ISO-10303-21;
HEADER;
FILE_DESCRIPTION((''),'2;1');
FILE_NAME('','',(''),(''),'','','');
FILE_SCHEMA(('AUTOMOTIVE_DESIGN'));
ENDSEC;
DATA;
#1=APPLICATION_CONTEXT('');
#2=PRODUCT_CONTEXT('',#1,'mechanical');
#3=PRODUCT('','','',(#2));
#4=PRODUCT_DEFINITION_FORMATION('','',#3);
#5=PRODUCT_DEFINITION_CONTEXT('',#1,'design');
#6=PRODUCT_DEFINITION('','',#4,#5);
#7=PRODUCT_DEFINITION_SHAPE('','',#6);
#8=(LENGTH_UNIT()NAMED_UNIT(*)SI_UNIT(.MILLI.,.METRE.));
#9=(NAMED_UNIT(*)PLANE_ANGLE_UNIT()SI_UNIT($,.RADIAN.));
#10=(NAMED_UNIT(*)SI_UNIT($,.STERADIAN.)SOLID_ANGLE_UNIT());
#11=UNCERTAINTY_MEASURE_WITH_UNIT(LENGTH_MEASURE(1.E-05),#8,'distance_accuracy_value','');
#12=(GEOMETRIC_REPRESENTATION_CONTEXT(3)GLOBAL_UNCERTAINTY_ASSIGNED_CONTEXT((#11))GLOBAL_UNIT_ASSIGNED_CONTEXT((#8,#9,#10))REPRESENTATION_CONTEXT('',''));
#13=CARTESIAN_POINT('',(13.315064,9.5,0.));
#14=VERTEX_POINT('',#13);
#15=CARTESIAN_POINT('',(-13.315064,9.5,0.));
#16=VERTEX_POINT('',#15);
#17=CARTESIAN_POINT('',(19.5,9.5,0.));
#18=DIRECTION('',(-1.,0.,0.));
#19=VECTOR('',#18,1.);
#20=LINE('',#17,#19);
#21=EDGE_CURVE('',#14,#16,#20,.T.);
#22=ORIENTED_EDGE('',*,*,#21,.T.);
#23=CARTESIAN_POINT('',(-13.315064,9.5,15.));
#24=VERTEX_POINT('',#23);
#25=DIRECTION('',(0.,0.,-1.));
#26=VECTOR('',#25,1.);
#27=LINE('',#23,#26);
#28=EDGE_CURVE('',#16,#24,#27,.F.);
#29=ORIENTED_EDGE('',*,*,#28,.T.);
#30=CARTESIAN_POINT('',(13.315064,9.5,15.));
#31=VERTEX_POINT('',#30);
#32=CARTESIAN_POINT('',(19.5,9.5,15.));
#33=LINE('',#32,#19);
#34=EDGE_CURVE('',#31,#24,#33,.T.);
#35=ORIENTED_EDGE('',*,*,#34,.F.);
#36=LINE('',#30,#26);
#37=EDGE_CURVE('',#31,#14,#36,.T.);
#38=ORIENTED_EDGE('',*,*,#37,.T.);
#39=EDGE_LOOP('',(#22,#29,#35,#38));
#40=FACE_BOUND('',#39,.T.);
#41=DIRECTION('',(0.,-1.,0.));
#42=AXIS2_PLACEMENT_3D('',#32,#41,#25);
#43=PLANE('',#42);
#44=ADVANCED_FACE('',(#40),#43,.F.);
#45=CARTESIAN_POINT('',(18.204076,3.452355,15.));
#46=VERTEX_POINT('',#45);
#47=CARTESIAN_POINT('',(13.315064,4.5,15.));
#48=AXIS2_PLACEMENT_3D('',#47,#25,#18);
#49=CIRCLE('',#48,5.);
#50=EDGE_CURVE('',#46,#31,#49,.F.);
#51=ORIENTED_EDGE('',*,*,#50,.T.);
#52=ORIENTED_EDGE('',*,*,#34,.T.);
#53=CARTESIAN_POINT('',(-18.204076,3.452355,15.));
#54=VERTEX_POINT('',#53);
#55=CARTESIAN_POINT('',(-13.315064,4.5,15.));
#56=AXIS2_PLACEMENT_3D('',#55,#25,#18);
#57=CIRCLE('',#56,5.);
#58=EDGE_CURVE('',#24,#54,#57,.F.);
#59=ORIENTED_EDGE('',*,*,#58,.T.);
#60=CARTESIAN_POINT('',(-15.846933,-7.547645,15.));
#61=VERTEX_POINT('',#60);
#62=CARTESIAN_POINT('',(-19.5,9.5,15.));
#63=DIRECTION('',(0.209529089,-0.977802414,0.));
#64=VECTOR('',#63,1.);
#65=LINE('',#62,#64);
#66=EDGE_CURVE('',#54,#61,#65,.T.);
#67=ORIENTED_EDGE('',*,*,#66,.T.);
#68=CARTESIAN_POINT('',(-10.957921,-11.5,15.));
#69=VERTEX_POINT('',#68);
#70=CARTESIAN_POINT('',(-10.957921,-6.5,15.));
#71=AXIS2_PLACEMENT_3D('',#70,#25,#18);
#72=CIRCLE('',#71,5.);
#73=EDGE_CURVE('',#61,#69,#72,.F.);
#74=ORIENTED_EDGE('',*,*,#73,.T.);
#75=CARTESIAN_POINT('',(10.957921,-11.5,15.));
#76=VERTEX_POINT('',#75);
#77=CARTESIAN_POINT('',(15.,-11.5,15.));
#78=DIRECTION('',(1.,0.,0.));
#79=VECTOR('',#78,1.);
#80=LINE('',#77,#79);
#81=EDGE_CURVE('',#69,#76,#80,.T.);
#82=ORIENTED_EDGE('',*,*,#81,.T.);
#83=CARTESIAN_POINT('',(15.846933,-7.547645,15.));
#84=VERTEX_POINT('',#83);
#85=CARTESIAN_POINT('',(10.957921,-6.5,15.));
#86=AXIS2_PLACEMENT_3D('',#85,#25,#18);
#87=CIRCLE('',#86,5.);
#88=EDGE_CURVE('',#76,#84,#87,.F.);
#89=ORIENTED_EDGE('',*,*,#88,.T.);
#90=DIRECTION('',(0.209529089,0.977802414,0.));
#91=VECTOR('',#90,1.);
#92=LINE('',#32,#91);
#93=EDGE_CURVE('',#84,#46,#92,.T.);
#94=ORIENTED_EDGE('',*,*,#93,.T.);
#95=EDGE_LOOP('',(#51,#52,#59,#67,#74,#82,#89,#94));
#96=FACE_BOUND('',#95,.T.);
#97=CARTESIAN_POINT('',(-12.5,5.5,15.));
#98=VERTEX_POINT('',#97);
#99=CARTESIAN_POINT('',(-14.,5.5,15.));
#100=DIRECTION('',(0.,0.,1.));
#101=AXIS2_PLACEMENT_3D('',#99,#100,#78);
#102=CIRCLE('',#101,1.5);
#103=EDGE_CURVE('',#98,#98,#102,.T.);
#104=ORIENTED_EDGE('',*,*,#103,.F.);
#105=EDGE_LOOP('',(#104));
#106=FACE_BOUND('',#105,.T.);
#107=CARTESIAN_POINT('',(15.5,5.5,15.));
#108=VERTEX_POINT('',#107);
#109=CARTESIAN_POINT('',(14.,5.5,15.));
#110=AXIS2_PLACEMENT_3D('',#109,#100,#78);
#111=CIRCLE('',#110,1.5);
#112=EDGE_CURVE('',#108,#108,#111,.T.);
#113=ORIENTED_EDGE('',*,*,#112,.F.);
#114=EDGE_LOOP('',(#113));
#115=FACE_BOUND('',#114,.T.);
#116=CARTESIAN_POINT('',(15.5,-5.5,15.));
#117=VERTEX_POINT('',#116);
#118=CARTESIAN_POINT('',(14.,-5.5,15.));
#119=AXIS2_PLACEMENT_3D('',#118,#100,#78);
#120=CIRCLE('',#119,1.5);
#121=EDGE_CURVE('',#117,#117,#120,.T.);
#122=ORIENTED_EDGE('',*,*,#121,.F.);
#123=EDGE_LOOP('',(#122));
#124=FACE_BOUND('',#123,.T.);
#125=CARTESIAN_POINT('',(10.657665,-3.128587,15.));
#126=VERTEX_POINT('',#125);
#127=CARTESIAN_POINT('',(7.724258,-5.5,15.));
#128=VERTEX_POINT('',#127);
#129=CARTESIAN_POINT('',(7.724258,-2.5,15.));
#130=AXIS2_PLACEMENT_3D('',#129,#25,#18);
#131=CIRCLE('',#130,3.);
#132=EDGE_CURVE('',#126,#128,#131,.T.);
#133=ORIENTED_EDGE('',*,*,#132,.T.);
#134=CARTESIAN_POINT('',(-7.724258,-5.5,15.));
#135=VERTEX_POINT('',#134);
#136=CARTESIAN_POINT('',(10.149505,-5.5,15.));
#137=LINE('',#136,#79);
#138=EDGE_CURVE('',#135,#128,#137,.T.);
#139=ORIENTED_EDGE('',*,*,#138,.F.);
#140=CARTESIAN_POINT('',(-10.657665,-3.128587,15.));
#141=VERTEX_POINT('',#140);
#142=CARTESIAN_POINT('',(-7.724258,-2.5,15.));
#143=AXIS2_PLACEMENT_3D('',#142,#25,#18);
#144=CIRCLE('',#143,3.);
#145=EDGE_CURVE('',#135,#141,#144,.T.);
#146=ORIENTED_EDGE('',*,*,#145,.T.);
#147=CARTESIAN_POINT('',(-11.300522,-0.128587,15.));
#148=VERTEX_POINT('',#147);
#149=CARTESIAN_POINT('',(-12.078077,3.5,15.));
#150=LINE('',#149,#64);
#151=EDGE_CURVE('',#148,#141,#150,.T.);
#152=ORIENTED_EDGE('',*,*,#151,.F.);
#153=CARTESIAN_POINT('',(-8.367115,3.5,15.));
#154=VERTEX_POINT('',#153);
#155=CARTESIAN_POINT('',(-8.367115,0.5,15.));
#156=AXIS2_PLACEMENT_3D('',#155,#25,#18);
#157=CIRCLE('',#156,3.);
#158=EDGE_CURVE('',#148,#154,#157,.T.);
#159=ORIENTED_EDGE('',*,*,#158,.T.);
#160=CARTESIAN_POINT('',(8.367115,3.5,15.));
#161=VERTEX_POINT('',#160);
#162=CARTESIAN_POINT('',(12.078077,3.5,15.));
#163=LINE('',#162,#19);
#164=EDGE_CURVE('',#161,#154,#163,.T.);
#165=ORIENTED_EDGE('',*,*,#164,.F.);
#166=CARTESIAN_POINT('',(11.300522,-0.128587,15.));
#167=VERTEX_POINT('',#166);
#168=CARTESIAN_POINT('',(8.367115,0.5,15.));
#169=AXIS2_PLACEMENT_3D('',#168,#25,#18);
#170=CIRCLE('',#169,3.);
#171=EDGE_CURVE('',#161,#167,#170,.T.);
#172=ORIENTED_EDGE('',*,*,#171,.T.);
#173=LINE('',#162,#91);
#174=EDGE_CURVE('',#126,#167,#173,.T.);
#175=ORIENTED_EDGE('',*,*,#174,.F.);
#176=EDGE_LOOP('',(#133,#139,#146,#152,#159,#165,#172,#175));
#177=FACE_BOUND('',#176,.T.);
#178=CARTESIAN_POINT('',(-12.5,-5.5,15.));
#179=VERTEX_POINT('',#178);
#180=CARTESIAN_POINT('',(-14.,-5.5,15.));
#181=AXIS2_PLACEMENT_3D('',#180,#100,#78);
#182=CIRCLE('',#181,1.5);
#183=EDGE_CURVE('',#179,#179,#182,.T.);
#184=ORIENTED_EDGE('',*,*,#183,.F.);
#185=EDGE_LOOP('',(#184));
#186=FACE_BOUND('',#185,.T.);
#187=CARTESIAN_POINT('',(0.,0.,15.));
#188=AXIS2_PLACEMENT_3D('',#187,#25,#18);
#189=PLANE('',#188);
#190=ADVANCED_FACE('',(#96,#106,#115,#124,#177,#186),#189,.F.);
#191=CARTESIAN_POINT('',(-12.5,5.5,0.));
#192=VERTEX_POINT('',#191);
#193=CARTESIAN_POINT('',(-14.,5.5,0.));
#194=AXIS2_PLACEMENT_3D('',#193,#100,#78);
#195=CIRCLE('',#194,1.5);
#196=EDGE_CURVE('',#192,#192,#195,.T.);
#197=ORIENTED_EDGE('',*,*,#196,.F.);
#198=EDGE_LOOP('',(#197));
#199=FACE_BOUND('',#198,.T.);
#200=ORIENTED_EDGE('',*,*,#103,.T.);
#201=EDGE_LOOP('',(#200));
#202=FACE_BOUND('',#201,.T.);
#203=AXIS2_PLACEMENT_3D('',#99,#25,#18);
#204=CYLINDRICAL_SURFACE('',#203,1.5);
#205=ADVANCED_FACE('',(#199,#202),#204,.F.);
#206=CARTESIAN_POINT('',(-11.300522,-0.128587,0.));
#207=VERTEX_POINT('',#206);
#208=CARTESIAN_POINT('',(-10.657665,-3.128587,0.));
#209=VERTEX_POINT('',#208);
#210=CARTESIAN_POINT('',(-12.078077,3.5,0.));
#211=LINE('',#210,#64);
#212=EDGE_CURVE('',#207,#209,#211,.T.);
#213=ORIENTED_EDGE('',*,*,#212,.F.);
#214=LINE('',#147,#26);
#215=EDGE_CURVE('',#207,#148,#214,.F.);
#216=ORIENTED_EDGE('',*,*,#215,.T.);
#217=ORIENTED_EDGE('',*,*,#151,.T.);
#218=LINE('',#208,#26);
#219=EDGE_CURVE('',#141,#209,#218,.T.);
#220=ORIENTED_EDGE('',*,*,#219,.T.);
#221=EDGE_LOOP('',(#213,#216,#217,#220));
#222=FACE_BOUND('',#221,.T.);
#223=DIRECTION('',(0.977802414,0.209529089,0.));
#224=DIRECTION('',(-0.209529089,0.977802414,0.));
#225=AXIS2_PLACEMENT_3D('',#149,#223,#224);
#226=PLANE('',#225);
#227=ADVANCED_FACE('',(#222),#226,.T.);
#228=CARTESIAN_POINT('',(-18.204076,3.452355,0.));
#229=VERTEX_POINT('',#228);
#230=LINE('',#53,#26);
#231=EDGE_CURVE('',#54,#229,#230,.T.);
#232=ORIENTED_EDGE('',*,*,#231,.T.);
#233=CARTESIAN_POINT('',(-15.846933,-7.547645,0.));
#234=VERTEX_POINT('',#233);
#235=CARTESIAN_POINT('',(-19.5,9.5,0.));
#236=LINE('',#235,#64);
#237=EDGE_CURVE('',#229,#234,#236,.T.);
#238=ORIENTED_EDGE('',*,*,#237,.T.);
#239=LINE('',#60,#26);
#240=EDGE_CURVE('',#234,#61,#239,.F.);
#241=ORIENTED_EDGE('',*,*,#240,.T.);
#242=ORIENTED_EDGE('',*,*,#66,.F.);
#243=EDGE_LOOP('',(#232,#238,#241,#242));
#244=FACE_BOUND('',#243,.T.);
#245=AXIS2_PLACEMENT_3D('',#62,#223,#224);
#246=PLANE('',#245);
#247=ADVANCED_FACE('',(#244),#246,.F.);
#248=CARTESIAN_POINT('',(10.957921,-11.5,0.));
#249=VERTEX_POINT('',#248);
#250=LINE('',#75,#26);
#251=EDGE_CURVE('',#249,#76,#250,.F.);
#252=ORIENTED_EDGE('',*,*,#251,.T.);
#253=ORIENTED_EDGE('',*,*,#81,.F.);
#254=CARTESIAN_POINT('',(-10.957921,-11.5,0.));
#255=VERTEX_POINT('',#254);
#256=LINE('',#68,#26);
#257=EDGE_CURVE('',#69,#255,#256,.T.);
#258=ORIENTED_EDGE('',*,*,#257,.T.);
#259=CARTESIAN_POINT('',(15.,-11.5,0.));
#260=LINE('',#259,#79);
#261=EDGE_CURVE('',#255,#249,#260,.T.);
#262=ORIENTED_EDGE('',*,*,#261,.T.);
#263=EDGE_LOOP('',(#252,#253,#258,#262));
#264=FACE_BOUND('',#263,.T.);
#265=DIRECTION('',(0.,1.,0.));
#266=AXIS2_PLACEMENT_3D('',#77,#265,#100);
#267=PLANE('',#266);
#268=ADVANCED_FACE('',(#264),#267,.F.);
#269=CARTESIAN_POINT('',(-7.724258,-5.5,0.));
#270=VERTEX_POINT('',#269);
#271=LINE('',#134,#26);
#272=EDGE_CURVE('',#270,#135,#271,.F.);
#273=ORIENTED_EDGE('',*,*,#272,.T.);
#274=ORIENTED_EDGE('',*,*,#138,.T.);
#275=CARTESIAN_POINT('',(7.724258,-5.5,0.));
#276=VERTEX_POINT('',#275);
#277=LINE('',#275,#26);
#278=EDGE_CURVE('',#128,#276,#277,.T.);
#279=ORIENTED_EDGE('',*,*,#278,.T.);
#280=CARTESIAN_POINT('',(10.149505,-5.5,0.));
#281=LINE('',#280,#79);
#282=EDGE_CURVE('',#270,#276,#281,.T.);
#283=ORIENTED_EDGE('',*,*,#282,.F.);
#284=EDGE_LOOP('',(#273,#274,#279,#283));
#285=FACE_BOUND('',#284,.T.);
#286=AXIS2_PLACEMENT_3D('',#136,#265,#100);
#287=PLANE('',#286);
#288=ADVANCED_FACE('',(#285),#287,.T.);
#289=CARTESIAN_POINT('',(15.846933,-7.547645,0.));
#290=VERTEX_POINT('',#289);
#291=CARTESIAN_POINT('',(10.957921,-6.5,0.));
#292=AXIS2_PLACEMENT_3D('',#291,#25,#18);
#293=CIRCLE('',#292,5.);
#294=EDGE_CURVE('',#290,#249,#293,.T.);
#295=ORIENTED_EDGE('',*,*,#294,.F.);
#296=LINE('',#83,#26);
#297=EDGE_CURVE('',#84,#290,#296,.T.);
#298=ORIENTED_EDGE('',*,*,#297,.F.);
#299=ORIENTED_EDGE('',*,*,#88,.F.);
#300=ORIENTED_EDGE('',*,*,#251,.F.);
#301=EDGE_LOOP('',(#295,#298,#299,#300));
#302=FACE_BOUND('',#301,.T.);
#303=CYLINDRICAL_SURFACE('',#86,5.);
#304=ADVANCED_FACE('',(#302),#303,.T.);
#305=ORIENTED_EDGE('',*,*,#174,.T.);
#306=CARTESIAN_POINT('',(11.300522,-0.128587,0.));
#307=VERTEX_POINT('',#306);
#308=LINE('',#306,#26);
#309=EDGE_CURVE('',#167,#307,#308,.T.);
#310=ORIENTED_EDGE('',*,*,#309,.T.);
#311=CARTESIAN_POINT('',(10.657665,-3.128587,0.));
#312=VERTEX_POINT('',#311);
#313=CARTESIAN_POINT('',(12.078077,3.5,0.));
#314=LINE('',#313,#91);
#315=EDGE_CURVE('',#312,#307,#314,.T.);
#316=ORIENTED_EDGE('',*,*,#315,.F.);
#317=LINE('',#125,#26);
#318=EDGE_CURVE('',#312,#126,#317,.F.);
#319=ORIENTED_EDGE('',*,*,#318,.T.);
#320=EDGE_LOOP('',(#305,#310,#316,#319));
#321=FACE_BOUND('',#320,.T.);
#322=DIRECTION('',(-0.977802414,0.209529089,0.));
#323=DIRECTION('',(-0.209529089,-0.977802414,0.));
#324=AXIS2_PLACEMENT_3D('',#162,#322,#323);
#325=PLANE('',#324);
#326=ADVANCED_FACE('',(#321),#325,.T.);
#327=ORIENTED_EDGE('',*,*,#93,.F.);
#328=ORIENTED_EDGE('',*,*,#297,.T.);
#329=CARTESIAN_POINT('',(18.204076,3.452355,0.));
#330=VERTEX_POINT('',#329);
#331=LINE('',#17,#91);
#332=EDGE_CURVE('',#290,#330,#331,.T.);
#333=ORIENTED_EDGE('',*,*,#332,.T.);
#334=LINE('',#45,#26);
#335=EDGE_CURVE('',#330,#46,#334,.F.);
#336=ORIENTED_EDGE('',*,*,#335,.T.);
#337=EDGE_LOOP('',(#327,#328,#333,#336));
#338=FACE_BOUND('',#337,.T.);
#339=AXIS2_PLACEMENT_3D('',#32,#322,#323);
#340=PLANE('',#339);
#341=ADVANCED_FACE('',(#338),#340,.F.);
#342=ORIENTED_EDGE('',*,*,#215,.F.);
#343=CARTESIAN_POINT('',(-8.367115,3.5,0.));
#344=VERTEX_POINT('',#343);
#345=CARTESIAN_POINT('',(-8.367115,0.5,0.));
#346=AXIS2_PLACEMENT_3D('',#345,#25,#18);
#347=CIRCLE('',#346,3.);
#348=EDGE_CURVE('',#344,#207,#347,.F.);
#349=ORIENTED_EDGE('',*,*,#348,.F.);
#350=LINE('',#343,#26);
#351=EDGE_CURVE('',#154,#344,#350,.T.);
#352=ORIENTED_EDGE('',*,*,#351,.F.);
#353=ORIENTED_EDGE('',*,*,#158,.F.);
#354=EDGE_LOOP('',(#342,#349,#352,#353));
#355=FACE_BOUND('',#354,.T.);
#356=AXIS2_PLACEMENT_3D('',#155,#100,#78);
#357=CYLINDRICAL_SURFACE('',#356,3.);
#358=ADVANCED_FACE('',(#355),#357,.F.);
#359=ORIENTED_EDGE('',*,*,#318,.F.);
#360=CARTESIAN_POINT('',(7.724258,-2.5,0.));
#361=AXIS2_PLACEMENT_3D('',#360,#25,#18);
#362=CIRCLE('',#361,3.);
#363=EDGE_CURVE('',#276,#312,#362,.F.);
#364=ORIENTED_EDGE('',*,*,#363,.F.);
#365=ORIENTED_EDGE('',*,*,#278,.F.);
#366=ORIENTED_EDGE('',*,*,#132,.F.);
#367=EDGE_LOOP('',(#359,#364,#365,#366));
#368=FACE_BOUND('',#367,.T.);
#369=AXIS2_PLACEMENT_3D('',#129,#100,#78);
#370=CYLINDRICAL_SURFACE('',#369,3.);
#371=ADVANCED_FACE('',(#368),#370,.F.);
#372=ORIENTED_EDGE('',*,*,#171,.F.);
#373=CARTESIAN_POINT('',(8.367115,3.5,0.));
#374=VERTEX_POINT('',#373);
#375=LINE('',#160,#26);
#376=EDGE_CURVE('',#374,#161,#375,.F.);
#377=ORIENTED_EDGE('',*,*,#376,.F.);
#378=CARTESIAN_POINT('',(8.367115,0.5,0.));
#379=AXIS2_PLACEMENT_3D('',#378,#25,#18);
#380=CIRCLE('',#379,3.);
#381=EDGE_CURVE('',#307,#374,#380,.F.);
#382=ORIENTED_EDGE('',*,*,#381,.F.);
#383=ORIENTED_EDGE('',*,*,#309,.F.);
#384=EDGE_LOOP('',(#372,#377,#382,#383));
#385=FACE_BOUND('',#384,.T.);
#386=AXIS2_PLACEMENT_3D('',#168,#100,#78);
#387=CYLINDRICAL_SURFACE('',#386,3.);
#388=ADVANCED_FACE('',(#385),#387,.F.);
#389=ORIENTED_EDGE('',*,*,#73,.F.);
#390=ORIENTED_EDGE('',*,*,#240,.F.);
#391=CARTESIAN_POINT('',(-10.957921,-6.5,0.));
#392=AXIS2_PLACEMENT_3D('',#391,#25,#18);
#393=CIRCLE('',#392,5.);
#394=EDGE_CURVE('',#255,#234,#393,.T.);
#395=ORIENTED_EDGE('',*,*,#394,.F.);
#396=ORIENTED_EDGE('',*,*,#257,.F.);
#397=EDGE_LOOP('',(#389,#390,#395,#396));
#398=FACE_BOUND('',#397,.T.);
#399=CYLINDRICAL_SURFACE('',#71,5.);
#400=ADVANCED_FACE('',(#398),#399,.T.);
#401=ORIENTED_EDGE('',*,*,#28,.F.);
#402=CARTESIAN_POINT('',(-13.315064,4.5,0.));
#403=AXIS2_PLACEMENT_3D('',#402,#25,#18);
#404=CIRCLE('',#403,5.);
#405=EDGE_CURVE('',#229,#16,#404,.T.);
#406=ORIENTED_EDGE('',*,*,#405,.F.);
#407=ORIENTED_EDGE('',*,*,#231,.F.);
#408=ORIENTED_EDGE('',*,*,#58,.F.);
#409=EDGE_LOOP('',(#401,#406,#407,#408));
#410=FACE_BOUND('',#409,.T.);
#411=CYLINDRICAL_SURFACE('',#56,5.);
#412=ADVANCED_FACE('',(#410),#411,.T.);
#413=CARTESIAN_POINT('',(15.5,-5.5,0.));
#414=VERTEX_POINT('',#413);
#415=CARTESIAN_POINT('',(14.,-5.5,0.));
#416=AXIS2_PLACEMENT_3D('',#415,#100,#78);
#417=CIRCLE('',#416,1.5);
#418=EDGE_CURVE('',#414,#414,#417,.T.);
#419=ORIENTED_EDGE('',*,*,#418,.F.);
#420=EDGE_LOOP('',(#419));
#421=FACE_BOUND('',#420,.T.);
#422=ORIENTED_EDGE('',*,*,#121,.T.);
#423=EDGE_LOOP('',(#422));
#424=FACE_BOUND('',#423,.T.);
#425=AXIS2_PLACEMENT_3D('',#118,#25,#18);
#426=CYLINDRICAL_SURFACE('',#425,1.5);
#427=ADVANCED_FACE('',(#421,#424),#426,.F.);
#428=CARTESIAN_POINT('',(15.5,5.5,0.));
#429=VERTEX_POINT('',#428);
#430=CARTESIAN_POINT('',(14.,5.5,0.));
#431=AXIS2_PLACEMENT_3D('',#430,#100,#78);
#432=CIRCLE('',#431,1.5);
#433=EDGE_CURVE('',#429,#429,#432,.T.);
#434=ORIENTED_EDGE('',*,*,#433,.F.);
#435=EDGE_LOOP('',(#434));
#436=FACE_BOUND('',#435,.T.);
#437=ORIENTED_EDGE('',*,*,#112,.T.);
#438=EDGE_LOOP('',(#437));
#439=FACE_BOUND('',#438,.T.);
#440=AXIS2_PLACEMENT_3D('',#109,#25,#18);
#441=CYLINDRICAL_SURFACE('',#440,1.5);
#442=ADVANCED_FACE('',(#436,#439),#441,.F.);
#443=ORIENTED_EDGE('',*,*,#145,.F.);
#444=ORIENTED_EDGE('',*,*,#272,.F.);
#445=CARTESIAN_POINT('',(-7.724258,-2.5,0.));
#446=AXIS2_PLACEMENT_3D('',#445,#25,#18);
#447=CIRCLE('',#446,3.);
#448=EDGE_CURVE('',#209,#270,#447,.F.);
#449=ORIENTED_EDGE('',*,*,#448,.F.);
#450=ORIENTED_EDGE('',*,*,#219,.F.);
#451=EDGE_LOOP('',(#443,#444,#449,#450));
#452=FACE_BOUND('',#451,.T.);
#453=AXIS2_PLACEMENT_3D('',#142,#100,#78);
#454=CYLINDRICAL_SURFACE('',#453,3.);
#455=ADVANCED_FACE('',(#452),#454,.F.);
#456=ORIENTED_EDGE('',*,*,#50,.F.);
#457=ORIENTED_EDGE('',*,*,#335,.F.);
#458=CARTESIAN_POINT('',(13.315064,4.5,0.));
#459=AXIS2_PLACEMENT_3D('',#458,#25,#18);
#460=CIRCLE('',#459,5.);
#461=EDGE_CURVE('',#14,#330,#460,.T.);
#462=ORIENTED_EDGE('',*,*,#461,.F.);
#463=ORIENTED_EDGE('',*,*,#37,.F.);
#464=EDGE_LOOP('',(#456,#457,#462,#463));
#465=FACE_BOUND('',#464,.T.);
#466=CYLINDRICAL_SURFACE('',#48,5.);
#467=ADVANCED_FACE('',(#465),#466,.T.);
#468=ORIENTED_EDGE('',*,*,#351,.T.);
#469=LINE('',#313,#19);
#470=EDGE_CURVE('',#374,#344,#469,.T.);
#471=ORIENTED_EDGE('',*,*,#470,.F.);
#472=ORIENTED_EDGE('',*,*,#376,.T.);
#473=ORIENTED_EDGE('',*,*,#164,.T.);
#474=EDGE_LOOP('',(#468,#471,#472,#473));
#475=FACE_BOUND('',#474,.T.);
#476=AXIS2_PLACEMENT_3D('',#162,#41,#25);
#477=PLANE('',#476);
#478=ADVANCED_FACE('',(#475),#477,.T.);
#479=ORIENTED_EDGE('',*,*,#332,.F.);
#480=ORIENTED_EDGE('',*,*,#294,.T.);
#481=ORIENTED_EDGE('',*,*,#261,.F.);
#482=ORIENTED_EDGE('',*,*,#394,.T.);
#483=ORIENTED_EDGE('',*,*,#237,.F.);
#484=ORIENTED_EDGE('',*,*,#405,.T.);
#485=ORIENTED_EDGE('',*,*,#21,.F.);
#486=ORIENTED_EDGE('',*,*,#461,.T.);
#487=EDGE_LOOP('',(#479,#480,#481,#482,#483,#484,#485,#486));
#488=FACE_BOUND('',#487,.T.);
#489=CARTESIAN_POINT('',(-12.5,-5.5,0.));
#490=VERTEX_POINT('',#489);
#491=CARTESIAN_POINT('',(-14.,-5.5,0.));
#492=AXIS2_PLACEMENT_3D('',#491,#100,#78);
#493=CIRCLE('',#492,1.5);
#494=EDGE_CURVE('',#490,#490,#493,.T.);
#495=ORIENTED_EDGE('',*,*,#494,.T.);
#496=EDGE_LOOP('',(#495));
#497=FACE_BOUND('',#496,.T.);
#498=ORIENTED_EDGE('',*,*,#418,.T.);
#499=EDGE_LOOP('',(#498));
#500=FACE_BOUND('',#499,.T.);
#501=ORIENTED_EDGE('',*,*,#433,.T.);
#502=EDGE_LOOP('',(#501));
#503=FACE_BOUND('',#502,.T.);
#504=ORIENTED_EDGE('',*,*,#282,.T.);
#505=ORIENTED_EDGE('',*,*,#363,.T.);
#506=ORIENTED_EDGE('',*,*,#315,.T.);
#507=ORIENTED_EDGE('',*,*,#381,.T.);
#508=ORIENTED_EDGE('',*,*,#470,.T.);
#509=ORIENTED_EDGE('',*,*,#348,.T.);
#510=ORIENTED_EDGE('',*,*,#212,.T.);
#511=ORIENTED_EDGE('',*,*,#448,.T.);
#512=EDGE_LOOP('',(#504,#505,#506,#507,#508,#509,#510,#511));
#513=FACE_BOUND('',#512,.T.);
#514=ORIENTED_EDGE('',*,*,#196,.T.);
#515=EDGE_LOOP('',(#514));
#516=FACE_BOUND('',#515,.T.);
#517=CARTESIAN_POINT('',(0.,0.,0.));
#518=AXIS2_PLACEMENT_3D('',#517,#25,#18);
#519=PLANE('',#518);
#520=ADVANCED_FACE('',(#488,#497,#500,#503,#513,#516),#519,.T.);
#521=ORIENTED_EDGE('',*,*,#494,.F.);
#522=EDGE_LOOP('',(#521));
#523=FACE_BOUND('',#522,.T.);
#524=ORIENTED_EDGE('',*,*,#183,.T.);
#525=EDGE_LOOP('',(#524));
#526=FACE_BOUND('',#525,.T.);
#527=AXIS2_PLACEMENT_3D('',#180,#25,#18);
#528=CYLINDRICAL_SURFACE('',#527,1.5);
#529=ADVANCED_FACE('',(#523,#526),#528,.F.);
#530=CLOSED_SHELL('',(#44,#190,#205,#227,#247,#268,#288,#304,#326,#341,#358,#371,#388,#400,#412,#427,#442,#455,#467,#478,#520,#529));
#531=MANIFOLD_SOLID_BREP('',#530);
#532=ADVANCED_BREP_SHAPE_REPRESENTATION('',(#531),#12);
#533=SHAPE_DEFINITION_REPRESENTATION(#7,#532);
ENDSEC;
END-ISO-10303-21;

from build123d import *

# Parameters (mm, degrees)
SKETCH_1_R      = 1.5
EXTRUDE_1_DEPTH = 15
FILLET_1_R      = 5
FILLET_2_R      = 3


with BuildPart() as part:
    # 草图1 → 凸台-拉伸1 (new body)
    with BuildSketch(Plane.XY):
        Polygon((19.5, 9.5), (-19.5, 9.5), (-15, -11.5), (15, -11.5), align=None)
        with Locations((14, -5.5)):
            Circle(SKETCH_1_R, mode=Mode.SUBTRACT)
        with Locations((-14, -5.5)):
            Circle(SKETCH_1_R, mode=Mode.SUBTRACT)
        with Locations((-14, 5.5)):
            Circle(SKETCH_1_R, mode=Mode.SUBTRACT)
        with Locations((14, 5.5)):
            Circle(SKETCH_1_R, mode=Mode.SUBTRACT)
        Polygon((-12.078076687, 3.5), (-10.149505259, -5.5), (10.149505259, -5.5), (12.078076687, 3.5), align=None, mode=Mode.SUBTRACT)
    extrude(amount=EXTRUDE_1_DEPTH)

    # 圆角1
    fillet_1_edges = [part.edges().sort_by_distance(p)[0] for p in [
        (15, -11.5, 7.5),
        (-15, -11.5, 7.5),
        (-19.5, 9.5, 7.5),
        (19.5, 9.5, 7.5),
    ]]
    fillet(fillet_1_edges, radius=FILLET_1_R)

    # 圆角2
    fillet_2_edges = [part.edges().sort_by_distance(p)[0] for p in [
        (12.078076687, 3.5, 7.5),
        (-12.078076687, 3.5, 7.5),
        (-10.149505259, -5.5, 7.5),
        (10.149505259, -5.5, 7.5),
    ]]
    fillet(fillet_2_edges, radius=FILLET_2_R)


solid = part.part
